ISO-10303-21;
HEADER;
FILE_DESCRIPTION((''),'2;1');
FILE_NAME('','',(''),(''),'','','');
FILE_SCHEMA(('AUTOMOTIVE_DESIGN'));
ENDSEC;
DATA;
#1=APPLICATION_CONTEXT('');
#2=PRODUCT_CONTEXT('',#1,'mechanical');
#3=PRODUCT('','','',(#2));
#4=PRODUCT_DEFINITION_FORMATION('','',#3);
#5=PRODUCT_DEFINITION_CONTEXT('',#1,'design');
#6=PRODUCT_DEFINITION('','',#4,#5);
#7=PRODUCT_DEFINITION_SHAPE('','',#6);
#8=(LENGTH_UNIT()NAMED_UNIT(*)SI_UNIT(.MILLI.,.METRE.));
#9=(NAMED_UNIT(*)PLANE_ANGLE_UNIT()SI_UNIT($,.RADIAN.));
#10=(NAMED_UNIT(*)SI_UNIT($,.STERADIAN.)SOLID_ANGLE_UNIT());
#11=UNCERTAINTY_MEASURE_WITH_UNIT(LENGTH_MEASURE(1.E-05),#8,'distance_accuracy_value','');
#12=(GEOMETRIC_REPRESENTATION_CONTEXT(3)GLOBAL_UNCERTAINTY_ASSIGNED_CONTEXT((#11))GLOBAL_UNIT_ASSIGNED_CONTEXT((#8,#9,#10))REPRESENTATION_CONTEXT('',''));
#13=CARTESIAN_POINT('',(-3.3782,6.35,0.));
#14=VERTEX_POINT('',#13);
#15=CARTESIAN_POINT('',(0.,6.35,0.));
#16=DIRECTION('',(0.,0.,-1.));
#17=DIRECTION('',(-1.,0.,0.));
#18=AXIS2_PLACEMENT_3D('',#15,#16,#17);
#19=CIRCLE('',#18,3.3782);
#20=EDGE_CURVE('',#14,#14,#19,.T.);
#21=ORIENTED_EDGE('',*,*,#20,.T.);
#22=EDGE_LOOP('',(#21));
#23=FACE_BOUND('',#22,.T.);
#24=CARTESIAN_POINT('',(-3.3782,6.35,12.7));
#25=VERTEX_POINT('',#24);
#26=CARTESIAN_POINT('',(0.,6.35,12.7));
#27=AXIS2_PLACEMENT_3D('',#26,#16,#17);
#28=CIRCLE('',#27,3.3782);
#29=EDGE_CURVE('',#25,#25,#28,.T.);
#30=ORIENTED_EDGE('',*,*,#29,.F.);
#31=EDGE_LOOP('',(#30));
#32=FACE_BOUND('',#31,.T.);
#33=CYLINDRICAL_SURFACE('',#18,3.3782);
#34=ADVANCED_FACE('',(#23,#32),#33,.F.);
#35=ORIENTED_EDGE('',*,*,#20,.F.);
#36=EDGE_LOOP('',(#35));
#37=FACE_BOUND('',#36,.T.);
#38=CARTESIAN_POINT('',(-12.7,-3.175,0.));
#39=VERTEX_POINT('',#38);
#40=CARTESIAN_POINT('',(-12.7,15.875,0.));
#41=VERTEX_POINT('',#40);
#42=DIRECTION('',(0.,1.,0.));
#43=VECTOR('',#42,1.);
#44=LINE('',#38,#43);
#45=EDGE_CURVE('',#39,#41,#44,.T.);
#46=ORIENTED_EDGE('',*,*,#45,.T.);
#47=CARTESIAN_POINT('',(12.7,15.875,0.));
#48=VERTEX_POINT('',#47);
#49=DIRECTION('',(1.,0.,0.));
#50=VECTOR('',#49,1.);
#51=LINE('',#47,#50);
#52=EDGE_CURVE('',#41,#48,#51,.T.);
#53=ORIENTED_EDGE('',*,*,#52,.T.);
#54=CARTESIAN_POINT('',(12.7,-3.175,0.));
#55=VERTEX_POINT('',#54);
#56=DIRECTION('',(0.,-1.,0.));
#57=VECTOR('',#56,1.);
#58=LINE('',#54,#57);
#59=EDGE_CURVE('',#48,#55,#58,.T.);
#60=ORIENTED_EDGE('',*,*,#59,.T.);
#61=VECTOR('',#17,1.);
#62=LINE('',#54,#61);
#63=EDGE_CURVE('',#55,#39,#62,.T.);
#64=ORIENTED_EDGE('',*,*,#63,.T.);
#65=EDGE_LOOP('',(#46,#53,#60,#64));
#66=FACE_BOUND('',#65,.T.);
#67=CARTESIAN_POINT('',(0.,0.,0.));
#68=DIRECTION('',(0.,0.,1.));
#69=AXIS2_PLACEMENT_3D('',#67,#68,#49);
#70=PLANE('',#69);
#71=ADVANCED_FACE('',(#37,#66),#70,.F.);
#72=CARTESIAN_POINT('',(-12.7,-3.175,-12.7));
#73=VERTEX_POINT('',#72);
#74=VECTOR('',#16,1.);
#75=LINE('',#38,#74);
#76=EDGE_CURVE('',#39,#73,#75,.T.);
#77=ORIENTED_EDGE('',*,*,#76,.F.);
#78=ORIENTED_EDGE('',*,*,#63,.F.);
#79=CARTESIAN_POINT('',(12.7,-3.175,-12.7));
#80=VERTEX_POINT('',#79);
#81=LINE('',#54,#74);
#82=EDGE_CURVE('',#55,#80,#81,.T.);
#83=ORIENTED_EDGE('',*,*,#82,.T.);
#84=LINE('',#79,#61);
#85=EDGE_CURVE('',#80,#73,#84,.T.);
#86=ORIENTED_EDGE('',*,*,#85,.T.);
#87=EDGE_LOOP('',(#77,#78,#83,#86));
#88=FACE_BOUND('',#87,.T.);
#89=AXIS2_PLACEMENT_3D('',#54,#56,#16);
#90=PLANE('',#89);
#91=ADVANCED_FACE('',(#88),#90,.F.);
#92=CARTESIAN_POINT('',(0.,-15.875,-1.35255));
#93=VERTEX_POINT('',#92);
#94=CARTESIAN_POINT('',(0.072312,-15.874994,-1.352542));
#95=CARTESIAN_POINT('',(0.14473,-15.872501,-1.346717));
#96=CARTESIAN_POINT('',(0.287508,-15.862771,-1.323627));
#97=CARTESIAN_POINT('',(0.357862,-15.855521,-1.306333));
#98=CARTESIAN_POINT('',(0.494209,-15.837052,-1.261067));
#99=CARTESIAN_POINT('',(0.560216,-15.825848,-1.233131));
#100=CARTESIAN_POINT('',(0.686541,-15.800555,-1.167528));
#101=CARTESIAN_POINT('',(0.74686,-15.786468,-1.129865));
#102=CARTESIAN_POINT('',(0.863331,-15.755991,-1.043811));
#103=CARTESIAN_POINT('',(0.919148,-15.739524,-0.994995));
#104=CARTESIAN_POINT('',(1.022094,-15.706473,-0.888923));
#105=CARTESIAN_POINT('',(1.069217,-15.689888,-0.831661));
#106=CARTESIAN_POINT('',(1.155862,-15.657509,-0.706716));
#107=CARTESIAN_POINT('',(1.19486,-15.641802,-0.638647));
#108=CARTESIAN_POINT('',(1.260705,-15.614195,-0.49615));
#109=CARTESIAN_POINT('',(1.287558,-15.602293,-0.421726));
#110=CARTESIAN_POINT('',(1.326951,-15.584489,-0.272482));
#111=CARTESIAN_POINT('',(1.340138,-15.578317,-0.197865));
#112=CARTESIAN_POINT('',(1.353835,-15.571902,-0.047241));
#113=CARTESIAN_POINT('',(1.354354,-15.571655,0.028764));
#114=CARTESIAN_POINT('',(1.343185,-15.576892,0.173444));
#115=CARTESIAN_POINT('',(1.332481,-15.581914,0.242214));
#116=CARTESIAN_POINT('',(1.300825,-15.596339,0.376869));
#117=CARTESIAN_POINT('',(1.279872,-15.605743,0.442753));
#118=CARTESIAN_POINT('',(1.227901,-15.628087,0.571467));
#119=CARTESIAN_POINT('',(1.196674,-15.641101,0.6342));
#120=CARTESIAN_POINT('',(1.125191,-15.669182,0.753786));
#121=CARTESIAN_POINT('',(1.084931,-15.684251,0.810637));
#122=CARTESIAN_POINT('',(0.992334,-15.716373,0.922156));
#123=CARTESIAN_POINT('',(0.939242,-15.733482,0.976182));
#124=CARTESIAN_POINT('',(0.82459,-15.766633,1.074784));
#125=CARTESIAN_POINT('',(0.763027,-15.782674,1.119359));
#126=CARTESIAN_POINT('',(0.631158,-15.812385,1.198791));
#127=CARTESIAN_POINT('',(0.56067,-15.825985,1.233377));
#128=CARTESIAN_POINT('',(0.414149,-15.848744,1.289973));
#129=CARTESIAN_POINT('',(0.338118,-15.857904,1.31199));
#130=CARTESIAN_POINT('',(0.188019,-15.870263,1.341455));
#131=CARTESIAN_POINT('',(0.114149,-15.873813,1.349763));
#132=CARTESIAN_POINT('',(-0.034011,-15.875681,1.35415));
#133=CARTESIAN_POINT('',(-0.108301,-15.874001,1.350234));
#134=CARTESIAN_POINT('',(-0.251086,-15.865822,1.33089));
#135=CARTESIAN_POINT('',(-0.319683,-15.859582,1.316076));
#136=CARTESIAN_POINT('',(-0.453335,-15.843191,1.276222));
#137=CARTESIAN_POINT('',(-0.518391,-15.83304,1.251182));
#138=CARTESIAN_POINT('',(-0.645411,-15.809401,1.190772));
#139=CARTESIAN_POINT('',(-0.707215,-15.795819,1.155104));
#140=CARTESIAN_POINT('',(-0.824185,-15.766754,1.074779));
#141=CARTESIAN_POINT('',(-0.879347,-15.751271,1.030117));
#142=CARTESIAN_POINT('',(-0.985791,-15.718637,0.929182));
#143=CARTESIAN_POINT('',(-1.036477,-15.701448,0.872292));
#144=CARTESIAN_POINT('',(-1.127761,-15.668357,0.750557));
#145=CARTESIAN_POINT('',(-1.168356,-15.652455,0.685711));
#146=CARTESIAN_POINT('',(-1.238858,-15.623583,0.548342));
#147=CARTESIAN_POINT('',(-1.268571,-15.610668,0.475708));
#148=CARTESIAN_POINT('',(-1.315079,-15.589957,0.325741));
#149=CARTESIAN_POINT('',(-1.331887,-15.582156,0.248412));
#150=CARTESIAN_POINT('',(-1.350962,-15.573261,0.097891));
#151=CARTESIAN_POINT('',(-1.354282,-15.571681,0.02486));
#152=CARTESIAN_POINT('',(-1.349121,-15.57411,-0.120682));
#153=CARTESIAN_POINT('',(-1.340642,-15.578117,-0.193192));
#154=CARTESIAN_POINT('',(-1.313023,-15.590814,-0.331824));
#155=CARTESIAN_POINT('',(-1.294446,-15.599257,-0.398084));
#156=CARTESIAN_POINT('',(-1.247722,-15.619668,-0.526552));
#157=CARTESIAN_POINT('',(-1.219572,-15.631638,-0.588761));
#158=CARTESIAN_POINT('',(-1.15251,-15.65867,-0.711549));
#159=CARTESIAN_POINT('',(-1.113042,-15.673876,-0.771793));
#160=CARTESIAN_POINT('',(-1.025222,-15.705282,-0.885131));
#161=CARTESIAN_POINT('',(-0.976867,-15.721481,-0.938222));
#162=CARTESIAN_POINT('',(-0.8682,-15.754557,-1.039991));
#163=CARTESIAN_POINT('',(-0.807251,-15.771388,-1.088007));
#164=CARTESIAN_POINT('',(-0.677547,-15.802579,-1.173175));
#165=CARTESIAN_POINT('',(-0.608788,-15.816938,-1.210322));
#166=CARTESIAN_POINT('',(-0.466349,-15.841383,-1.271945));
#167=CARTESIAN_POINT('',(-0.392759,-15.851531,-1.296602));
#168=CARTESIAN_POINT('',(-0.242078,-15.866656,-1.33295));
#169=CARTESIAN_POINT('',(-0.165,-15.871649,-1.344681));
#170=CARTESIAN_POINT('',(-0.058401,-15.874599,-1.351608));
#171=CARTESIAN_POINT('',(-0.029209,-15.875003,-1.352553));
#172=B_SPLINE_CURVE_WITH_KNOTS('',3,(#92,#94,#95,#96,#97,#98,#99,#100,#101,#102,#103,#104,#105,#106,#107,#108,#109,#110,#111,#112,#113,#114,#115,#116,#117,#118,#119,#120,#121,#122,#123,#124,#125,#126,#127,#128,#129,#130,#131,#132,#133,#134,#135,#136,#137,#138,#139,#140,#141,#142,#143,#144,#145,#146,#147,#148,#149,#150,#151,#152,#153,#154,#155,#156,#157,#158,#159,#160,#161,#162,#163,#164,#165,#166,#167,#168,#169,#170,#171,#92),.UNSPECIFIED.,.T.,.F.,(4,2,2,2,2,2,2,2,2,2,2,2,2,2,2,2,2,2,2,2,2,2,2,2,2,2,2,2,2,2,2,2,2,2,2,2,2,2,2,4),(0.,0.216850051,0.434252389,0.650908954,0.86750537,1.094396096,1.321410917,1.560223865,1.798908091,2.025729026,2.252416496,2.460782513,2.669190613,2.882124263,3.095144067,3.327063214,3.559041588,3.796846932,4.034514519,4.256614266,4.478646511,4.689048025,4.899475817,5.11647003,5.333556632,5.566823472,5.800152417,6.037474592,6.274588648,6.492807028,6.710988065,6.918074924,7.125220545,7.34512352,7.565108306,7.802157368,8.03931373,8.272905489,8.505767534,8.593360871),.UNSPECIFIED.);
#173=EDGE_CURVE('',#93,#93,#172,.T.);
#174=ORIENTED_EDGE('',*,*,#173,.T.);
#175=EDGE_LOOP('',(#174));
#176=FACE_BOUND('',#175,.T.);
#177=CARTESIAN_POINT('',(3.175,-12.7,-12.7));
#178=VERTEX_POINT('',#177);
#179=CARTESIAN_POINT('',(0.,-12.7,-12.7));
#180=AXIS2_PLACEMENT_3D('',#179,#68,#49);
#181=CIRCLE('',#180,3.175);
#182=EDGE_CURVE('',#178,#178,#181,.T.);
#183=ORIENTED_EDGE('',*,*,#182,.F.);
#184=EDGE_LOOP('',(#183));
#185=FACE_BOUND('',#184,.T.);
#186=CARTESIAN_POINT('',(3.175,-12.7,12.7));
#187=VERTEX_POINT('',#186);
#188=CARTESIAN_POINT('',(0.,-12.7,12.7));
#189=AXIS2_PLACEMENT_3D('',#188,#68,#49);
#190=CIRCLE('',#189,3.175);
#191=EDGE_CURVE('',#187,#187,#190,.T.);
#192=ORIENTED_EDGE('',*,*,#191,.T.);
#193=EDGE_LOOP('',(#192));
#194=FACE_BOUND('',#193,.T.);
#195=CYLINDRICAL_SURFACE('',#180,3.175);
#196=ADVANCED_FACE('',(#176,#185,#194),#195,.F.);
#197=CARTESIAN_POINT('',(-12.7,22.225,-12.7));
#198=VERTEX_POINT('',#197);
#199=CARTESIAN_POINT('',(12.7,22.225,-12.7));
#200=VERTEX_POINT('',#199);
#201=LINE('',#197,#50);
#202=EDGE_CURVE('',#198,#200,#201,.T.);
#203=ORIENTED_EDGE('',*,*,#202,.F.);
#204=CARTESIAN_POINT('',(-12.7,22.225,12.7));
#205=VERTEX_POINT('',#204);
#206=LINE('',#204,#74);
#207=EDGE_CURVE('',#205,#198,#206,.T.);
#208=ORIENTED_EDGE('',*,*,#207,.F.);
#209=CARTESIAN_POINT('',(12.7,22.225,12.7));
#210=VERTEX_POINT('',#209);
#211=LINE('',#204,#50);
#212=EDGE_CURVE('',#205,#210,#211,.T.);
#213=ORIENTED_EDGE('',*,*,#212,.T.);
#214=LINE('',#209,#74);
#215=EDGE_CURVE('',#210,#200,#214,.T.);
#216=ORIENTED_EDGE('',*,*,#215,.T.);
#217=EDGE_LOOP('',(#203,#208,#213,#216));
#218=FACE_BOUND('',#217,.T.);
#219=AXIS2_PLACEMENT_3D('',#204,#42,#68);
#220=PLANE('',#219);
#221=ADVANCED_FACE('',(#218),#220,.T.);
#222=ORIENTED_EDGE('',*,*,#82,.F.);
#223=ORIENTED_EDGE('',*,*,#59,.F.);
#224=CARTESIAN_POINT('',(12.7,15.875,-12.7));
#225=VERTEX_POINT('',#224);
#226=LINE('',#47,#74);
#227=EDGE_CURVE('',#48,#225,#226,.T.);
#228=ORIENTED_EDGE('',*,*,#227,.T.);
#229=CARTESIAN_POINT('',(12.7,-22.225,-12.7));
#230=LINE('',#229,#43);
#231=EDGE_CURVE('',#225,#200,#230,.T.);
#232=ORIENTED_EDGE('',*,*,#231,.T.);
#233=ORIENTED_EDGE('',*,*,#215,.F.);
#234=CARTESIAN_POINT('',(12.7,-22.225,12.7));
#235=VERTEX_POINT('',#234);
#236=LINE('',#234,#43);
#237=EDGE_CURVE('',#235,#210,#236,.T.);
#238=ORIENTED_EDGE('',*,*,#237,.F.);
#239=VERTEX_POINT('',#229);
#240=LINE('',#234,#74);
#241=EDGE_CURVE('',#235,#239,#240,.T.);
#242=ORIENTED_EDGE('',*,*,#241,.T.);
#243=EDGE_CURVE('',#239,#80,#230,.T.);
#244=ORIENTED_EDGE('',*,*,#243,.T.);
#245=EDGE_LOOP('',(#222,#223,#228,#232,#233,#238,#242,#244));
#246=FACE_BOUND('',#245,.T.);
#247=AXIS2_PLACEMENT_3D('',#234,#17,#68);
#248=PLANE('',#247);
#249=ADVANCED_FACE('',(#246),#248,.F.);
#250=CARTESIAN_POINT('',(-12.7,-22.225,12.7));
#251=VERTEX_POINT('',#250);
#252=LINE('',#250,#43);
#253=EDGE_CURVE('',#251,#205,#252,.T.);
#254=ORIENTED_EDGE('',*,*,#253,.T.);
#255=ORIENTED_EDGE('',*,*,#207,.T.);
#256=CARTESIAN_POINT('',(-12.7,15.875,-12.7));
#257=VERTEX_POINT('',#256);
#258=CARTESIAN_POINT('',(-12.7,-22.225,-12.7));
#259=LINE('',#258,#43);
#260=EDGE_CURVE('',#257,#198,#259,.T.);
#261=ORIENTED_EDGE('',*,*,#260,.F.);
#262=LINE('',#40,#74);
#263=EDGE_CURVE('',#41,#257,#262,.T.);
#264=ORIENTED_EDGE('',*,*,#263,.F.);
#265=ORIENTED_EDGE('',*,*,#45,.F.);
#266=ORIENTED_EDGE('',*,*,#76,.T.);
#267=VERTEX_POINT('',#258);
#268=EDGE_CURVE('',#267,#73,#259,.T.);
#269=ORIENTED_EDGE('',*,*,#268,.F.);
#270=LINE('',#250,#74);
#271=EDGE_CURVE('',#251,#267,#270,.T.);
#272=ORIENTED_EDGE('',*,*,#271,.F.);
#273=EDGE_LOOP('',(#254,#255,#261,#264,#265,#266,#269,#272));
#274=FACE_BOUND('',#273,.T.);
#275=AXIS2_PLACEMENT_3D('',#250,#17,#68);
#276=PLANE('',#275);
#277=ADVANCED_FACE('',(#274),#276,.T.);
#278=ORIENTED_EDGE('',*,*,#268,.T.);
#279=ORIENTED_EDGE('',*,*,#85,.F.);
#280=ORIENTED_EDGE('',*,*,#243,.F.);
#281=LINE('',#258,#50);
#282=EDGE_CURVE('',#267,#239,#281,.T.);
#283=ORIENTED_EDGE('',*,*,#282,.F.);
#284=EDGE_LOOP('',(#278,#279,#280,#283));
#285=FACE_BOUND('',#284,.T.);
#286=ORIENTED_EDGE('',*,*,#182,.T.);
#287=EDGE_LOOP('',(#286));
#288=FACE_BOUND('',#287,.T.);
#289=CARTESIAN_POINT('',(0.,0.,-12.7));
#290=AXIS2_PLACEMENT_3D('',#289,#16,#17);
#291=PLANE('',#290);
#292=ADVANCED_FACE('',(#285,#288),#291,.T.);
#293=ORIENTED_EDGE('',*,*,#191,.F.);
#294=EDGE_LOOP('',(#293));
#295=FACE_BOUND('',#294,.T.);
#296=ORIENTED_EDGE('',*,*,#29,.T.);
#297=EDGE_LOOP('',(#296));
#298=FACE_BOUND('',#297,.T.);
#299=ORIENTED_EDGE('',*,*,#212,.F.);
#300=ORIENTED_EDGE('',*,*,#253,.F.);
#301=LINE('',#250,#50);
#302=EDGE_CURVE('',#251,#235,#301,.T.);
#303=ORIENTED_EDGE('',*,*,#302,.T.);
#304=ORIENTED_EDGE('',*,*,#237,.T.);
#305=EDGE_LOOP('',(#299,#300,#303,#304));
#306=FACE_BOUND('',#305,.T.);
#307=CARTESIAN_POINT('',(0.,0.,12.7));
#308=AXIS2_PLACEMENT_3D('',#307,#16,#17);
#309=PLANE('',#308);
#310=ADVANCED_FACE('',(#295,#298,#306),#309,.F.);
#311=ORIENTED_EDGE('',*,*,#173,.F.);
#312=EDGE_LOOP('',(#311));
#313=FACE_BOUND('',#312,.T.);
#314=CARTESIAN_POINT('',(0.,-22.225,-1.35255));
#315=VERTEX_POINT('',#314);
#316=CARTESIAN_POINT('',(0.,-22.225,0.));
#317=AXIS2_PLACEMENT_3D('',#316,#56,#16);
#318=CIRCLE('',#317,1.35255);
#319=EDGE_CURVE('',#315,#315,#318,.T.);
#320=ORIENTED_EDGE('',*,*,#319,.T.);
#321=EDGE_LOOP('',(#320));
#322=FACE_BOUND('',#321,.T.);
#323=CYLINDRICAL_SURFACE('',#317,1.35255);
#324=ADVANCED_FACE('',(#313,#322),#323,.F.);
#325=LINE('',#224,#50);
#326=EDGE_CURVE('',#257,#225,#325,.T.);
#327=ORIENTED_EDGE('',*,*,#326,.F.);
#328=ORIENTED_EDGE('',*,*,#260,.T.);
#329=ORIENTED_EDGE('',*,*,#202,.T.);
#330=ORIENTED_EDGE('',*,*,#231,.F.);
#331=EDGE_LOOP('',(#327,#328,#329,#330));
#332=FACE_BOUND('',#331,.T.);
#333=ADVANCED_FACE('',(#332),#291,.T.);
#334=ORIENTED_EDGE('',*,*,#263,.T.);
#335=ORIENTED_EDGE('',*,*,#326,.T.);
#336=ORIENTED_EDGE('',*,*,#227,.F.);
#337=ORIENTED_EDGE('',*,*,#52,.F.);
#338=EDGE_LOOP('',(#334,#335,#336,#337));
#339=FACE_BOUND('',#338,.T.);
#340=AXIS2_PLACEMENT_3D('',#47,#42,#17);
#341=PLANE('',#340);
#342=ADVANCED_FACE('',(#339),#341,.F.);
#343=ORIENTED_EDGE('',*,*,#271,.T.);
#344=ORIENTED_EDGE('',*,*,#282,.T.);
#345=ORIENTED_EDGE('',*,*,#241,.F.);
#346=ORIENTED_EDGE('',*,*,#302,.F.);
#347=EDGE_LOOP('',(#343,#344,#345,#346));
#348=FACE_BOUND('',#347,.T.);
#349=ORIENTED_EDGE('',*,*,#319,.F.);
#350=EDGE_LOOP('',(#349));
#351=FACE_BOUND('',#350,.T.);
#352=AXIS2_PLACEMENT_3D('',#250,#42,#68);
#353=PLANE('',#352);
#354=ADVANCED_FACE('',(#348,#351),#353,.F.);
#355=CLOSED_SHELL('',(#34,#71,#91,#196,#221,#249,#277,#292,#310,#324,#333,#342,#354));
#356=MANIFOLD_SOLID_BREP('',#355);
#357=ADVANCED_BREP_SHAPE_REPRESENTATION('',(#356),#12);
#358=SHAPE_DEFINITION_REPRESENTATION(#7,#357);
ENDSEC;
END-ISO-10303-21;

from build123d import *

# Parameters (mm, degrees)
SKETCH1_W                  = 25.4
SKETCH1_H                  = 44.45
BOSS_EXTRUDE1_DEPTH        = 12.7
SKETCH2_W                  = 25.4
SKETCH2_H                  = 19.05
CUT_EXTRUDE1_DEPTH         = 12.7
SKETCH3_R                  = 3.175
CUT_EXTRUDE2_DEPTH         = 37.061067996
F_1_4_CLEARANCE_HOLE1_D    = 6.7564
F_6_32_TAPPED_HOLE1_REACH  = 49.941
F_6_32_TAPPED_HOLE1_BORE_R = 1.35255


with BuildPart() as part:
    # Sketch1 → Boss-Extrude1 (new, symmetric)
    with BuildSketch(Plane.XY):
        Rectangle(SKETCH1_W, SKETCH1_H)
    extrude(amount=BOSS_EXTRUDE1_DEPTH, both=True)

    # Sketch2 → Cut-Extrude1 (cut)
    with BuildSketch(Plane(origin=(0, 0, -12.7), x_dir=(-1, 0, 0), z_dir=(0, 0, -1))):
        with Locations((0, 6.35)):
            Rectangle(SKETCH2_W, SKETCH2_H)
    extrude(amount=-CUT_EXTRUDE1_DEPTH, mode=Mode.SUBTRACT)

    # Sketch3 → Cut-Extrude2 (cut, through all)
    with BuildSketch(Plane.XY.offset(12.7)):
        with Locations((0, -12.7)):
            Circle(SKETCH3_R)
    extrude(amount=-CUT_EXTRUDE2_DEPTH, mode=Mode.SUBTRACT)

    # 1/4 Clearance Hole1 (through all)
    with Locations(Plane(origin=(0, 0, 0), x_dir=(-1, 0, 0), z_dir=(0, 0, -1))):
        with Locations((0, 6.35)):
            Hole(F_1_4_CLEARANCE_HOLE1_D / 2)

    # #6-32 Tapped Hole1 bore → #6-32 Tapped Hole1 (cut, up to next)
    with BuildSketch(Plane(origin=(0, -22.225, 0), x_dir=(-1, 0, 0), z_dir=(0, -1, 0)), mode=Mode.PRIVATE) as f_6_32_tapped_hole1_sk1:
        Circle(F_6_32_TAPPED_HOLE1_BORE_R)
    f_6_32_tapped_hole1_tool1 = extrude(f_6_32_tapped_hole1_sk1.sketch, amount=-F_6_32_TAPPED_HOLE1_REACH, mode=Mode.PRIVATE) & part.part
    add(f_6_32_tapped_hole1_tool1.solids().sort_by_distance((0, -22.225, 0))[0], mode=Mode.SUBTRACT)


solid = part.part
